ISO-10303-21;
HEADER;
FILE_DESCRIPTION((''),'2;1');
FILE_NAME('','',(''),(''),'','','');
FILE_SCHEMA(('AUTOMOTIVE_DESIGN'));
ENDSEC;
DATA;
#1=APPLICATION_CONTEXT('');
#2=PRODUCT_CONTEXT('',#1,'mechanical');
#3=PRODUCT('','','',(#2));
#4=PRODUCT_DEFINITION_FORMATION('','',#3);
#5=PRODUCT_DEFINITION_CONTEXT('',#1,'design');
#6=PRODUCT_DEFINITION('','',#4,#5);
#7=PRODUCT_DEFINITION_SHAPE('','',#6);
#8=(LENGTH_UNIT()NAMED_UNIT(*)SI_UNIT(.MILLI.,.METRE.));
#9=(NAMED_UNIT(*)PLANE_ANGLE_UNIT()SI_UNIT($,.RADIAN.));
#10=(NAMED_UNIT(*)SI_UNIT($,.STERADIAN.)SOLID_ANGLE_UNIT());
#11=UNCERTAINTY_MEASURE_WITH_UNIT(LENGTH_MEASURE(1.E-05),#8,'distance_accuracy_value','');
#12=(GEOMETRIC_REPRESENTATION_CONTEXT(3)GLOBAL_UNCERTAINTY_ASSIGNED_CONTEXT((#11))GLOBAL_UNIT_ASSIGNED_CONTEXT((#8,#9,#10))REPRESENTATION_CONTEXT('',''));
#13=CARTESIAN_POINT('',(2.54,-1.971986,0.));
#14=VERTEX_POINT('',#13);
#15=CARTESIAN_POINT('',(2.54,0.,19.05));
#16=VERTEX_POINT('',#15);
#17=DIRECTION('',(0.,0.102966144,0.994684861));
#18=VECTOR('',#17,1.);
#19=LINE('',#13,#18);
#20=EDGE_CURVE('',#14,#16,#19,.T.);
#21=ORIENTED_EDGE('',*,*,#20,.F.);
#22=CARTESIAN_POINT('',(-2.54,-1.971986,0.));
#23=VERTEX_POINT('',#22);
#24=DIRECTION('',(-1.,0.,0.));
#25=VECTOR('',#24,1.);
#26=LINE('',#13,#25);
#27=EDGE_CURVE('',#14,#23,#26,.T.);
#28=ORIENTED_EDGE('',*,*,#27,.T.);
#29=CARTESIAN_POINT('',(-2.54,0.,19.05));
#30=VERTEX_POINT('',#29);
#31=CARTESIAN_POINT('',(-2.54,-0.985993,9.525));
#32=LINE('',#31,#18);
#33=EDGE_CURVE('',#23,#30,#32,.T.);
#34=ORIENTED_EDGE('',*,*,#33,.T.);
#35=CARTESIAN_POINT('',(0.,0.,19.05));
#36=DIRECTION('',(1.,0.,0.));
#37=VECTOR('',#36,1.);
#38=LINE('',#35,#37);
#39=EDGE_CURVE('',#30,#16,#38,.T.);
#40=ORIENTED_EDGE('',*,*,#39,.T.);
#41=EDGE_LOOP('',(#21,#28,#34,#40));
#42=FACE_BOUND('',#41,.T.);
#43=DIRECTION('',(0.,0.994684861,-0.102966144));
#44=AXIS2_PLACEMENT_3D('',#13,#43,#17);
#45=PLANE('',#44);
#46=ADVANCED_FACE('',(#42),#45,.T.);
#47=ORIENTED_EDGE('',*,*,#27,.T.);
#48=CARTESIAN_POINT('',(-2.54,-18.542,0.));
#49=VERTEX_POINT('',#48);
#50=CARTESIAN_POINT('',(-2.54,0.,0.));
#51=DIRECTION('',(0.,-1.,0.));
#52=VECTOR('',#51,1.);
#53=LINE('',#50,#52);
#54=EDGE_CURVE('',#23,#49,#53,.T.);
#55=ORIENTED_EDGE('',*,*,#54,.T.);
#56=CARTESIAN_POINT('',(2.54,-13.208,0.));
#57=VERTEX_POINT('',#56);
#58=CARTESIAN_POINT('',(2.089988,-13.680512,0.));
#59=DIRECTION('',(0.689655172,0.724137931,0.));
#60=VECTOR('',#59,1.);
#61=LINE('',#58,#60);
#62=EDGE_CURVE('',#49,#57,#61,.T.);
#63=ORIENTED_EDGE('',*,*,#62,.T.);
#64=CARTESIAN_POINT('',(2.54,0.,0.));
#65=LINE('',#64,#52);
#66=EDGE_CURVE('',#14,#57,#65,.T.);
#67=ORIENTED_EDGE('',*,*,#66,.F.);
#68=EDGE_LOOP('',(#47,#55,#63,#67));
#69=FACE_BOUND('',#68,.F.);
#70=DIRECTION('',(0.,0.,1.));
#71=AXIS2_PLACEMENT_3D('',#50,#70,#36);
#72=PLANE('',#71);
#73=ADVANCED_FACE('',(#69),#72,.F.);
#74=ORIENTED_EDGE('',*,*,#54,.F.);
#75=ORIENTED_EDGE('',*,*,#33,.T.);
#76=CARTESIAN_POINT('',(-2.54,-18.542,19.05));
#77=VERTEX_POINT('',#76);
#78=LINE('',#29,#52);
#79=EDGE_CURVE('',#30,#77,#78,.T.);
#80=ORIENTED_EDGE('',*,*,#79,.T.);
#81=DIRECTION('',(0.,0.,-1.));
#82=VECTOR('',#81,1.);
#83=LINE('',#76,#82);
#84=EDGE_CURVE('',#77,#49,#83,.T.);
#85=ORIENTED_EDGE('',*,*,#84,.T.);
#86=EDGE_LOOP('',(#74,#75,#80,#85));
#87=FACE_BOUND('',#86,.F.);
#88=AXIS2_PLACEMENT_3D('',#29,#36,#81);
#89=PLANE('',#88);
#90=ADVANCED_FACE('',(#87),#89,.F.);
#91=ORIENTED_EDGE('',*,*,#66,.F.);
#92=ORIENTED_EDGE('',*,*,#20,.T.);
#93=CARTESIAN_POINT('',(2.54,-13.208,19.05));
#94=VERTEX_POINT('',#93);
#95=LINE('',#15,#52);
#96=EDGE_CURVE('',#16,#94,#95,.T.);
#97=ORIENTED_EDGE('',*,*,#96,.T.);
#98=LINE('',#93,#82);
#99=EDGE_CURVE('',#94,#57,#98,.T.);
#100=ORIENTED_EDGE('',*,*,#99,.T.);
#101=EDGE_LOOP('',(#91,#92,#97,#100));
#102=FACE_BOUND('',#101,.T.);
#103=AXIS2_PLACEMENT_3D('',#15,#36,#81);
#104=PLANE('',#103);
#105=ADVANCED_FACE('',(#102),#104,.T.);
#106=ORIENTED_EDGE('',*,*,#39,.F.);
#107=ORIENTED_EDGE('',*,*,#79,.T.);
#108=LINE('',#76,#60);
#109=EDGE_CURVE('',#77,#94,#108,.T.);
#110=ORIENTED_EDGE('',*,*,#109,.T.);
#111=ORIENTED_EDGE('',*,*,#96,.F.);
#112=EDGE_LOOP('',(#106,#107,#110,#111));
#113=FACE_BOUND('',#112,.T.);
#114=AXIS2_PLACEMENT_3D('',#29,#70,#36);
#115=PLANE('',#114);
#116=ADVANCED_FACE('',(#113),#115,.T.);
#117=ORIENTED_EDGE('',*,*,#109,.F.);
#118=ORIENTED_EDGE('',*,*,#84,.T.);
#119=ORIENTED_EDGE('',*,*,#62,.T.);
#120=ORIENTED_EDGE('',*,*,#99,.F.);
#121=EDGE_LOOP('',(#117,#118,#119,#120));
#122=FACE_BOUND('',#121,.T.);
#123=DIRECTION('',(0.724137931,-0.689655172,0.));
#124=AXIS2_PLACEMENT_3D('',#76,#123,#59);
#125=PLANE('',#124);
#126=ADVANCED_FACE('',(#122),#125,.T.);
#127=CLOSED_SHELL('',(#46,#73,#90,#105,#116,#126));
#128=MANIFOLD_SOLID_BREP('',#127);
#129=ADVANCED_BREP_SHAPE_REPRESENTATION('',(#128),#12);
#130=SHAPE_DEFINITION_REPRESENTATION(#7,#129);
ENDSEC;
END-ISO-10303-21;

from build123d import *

# Parameters (mm, degrees)
ESQUISSE1_W             = 5.08
ESQUISSE1_H             = 19.05
BOSS_EXTRU_1_DEPTH      = 20.828
ENL_V_MAT_EXTRU_1_DEPTH = 6.08
ENL_V_MAT_EXTRU_2_DEPTH = 20.05


with BuildPart() as part:
    # Esquisse1 → Boss.-Extru.1 (new body)
    with BuildSketch(Plane(origin=(0, 0, 0), x_dir=(1, 0, 0), z_dir=(0, 1, 0))):
        with Locations((0, -9.525)):
            Rectangle(ESQUISSE1_W, ESQUISSE1_H)
    extrude(amount=-BOSS_EXTRU_1_DEPTH)

    # Esquisse2 → Enlèv. mat.-Extru.1 (cut, through all)
    with BuildSketch(Plane(origin=(2.54, 0, 0), x_dir=(0, 0, -1), z_dir=(1, 0, 0))):
        Polygon((0, -1.971986417), (-19.05, 0), (0, 0), align=None)
    extrude(amount=-ENL_V_MAT_EXTRU_1_DEPTH, mode=Mode.SUBTRACT)

    # Esquisse3 → Enlèv. mat.-Extru.2 (cut, through all)
    with BuildSketch(Plane.XY.offset(19.05)):
        Polygon((-2.54, -20.828), (-2.54, -18.542), (2.54, -13.208), (2.54, -20.828), align=None)
    extrude(amount=-ENL_V_MAT_EXTRU_2_DEPTH, mode=Mode.SUBTRACT)


solid = part.part
